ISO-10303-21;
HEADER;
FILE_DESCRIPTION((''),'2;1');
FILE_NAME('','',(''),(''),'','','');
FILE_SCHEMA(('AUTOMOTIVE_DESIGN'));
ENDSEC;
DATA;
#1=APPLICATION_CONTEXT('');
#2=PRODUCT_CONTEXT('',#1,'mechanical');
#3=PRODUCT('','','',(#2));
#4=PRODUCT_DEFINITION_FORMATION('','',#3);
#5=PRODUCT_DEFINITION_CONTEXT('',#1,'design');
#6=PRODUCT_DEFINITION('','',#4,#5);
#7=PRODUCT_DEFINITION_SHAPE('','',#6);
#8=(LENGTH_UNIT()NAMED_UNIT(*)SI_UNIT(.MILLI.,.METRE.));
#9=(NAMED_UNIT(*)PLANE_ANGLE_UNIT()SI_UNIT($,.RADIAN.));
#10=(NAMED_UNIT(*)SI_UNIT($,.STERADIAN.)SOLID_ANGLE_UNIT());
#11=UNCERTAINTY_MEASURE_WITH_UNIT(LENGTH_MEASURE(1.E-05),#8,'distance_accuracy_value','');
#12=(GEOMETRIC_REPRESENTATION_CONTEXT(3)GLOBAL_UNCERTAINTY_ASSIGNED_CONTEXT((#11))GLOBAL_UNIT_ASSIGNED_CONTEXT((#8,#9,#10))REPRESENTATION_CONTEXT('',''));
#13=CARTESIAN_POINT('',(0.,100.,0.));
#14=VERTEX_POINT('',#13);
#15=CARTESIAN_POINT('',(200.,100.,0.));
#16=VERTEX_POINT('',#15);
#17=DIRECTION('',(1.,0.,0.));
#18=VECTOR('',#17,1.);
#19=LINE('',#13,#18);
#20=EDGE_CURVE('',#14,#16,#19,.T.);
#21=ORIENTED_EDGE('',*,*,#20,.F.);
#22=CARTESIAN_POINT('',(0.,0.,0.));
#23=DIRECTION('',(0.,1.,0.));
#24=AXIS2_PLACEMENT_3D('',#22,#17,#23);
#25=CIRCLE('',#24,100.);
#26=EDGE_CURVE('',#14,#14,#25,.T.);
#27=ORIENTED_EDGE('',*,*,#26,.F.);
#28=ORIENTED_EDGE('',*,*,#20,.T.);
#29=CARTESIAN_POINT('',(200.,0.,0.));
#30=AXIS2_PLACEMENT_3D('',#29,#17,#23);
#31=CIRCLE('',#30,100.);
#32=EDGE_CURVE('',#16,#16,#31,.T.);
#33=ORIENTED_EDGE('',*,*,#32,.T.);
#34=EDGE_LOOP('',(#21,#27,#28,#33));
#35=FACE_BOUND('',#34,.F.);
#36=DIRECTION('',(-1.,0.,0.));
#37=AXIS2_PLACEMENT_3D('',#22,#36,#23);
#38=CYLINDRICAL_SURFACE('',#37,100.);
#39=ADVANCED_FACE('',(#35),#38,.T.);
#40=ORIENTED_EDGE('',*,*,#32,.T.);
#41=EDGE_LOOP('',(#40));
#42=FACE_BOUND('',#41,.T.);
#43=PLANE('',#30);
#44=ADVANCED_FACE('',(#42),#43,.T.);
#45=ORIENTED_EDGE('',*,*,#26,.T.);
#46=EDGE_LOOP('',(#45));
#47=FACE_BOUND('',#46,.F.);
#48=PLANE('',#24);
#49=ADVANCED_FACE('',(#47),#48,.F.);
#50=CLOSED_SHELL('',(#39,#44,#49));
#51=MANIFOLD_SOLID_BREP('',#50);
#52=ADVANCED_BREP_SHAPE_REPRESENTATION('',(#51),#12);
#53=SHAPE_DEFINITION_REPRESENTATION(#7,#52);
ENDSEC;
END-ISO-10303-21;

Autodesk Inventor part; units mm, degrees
ref_plane "YZ Plane" through (0, 0, 0) normal (1, 0, 0) x (0, 1, 0)
ref_plane "XZ Plane" through (0, 0, 0) normal (0, 1, 0) x (-1, 0, 0)
ref_plane "XY Plane" through (0, 0, 0) normal (0, 0, 1) x (1, 0, 0)
sketch "Sketch1" plane through (0, 0, 0) normal (1, 0, 0) x (0, 1, 0)
  circle A0 centre (0, 0) radius 100
  dimension "d0" = 200
extrude "Extrusion1" add sketch "Sketch1" along normal blind 200
properties part number "Cylinder"
